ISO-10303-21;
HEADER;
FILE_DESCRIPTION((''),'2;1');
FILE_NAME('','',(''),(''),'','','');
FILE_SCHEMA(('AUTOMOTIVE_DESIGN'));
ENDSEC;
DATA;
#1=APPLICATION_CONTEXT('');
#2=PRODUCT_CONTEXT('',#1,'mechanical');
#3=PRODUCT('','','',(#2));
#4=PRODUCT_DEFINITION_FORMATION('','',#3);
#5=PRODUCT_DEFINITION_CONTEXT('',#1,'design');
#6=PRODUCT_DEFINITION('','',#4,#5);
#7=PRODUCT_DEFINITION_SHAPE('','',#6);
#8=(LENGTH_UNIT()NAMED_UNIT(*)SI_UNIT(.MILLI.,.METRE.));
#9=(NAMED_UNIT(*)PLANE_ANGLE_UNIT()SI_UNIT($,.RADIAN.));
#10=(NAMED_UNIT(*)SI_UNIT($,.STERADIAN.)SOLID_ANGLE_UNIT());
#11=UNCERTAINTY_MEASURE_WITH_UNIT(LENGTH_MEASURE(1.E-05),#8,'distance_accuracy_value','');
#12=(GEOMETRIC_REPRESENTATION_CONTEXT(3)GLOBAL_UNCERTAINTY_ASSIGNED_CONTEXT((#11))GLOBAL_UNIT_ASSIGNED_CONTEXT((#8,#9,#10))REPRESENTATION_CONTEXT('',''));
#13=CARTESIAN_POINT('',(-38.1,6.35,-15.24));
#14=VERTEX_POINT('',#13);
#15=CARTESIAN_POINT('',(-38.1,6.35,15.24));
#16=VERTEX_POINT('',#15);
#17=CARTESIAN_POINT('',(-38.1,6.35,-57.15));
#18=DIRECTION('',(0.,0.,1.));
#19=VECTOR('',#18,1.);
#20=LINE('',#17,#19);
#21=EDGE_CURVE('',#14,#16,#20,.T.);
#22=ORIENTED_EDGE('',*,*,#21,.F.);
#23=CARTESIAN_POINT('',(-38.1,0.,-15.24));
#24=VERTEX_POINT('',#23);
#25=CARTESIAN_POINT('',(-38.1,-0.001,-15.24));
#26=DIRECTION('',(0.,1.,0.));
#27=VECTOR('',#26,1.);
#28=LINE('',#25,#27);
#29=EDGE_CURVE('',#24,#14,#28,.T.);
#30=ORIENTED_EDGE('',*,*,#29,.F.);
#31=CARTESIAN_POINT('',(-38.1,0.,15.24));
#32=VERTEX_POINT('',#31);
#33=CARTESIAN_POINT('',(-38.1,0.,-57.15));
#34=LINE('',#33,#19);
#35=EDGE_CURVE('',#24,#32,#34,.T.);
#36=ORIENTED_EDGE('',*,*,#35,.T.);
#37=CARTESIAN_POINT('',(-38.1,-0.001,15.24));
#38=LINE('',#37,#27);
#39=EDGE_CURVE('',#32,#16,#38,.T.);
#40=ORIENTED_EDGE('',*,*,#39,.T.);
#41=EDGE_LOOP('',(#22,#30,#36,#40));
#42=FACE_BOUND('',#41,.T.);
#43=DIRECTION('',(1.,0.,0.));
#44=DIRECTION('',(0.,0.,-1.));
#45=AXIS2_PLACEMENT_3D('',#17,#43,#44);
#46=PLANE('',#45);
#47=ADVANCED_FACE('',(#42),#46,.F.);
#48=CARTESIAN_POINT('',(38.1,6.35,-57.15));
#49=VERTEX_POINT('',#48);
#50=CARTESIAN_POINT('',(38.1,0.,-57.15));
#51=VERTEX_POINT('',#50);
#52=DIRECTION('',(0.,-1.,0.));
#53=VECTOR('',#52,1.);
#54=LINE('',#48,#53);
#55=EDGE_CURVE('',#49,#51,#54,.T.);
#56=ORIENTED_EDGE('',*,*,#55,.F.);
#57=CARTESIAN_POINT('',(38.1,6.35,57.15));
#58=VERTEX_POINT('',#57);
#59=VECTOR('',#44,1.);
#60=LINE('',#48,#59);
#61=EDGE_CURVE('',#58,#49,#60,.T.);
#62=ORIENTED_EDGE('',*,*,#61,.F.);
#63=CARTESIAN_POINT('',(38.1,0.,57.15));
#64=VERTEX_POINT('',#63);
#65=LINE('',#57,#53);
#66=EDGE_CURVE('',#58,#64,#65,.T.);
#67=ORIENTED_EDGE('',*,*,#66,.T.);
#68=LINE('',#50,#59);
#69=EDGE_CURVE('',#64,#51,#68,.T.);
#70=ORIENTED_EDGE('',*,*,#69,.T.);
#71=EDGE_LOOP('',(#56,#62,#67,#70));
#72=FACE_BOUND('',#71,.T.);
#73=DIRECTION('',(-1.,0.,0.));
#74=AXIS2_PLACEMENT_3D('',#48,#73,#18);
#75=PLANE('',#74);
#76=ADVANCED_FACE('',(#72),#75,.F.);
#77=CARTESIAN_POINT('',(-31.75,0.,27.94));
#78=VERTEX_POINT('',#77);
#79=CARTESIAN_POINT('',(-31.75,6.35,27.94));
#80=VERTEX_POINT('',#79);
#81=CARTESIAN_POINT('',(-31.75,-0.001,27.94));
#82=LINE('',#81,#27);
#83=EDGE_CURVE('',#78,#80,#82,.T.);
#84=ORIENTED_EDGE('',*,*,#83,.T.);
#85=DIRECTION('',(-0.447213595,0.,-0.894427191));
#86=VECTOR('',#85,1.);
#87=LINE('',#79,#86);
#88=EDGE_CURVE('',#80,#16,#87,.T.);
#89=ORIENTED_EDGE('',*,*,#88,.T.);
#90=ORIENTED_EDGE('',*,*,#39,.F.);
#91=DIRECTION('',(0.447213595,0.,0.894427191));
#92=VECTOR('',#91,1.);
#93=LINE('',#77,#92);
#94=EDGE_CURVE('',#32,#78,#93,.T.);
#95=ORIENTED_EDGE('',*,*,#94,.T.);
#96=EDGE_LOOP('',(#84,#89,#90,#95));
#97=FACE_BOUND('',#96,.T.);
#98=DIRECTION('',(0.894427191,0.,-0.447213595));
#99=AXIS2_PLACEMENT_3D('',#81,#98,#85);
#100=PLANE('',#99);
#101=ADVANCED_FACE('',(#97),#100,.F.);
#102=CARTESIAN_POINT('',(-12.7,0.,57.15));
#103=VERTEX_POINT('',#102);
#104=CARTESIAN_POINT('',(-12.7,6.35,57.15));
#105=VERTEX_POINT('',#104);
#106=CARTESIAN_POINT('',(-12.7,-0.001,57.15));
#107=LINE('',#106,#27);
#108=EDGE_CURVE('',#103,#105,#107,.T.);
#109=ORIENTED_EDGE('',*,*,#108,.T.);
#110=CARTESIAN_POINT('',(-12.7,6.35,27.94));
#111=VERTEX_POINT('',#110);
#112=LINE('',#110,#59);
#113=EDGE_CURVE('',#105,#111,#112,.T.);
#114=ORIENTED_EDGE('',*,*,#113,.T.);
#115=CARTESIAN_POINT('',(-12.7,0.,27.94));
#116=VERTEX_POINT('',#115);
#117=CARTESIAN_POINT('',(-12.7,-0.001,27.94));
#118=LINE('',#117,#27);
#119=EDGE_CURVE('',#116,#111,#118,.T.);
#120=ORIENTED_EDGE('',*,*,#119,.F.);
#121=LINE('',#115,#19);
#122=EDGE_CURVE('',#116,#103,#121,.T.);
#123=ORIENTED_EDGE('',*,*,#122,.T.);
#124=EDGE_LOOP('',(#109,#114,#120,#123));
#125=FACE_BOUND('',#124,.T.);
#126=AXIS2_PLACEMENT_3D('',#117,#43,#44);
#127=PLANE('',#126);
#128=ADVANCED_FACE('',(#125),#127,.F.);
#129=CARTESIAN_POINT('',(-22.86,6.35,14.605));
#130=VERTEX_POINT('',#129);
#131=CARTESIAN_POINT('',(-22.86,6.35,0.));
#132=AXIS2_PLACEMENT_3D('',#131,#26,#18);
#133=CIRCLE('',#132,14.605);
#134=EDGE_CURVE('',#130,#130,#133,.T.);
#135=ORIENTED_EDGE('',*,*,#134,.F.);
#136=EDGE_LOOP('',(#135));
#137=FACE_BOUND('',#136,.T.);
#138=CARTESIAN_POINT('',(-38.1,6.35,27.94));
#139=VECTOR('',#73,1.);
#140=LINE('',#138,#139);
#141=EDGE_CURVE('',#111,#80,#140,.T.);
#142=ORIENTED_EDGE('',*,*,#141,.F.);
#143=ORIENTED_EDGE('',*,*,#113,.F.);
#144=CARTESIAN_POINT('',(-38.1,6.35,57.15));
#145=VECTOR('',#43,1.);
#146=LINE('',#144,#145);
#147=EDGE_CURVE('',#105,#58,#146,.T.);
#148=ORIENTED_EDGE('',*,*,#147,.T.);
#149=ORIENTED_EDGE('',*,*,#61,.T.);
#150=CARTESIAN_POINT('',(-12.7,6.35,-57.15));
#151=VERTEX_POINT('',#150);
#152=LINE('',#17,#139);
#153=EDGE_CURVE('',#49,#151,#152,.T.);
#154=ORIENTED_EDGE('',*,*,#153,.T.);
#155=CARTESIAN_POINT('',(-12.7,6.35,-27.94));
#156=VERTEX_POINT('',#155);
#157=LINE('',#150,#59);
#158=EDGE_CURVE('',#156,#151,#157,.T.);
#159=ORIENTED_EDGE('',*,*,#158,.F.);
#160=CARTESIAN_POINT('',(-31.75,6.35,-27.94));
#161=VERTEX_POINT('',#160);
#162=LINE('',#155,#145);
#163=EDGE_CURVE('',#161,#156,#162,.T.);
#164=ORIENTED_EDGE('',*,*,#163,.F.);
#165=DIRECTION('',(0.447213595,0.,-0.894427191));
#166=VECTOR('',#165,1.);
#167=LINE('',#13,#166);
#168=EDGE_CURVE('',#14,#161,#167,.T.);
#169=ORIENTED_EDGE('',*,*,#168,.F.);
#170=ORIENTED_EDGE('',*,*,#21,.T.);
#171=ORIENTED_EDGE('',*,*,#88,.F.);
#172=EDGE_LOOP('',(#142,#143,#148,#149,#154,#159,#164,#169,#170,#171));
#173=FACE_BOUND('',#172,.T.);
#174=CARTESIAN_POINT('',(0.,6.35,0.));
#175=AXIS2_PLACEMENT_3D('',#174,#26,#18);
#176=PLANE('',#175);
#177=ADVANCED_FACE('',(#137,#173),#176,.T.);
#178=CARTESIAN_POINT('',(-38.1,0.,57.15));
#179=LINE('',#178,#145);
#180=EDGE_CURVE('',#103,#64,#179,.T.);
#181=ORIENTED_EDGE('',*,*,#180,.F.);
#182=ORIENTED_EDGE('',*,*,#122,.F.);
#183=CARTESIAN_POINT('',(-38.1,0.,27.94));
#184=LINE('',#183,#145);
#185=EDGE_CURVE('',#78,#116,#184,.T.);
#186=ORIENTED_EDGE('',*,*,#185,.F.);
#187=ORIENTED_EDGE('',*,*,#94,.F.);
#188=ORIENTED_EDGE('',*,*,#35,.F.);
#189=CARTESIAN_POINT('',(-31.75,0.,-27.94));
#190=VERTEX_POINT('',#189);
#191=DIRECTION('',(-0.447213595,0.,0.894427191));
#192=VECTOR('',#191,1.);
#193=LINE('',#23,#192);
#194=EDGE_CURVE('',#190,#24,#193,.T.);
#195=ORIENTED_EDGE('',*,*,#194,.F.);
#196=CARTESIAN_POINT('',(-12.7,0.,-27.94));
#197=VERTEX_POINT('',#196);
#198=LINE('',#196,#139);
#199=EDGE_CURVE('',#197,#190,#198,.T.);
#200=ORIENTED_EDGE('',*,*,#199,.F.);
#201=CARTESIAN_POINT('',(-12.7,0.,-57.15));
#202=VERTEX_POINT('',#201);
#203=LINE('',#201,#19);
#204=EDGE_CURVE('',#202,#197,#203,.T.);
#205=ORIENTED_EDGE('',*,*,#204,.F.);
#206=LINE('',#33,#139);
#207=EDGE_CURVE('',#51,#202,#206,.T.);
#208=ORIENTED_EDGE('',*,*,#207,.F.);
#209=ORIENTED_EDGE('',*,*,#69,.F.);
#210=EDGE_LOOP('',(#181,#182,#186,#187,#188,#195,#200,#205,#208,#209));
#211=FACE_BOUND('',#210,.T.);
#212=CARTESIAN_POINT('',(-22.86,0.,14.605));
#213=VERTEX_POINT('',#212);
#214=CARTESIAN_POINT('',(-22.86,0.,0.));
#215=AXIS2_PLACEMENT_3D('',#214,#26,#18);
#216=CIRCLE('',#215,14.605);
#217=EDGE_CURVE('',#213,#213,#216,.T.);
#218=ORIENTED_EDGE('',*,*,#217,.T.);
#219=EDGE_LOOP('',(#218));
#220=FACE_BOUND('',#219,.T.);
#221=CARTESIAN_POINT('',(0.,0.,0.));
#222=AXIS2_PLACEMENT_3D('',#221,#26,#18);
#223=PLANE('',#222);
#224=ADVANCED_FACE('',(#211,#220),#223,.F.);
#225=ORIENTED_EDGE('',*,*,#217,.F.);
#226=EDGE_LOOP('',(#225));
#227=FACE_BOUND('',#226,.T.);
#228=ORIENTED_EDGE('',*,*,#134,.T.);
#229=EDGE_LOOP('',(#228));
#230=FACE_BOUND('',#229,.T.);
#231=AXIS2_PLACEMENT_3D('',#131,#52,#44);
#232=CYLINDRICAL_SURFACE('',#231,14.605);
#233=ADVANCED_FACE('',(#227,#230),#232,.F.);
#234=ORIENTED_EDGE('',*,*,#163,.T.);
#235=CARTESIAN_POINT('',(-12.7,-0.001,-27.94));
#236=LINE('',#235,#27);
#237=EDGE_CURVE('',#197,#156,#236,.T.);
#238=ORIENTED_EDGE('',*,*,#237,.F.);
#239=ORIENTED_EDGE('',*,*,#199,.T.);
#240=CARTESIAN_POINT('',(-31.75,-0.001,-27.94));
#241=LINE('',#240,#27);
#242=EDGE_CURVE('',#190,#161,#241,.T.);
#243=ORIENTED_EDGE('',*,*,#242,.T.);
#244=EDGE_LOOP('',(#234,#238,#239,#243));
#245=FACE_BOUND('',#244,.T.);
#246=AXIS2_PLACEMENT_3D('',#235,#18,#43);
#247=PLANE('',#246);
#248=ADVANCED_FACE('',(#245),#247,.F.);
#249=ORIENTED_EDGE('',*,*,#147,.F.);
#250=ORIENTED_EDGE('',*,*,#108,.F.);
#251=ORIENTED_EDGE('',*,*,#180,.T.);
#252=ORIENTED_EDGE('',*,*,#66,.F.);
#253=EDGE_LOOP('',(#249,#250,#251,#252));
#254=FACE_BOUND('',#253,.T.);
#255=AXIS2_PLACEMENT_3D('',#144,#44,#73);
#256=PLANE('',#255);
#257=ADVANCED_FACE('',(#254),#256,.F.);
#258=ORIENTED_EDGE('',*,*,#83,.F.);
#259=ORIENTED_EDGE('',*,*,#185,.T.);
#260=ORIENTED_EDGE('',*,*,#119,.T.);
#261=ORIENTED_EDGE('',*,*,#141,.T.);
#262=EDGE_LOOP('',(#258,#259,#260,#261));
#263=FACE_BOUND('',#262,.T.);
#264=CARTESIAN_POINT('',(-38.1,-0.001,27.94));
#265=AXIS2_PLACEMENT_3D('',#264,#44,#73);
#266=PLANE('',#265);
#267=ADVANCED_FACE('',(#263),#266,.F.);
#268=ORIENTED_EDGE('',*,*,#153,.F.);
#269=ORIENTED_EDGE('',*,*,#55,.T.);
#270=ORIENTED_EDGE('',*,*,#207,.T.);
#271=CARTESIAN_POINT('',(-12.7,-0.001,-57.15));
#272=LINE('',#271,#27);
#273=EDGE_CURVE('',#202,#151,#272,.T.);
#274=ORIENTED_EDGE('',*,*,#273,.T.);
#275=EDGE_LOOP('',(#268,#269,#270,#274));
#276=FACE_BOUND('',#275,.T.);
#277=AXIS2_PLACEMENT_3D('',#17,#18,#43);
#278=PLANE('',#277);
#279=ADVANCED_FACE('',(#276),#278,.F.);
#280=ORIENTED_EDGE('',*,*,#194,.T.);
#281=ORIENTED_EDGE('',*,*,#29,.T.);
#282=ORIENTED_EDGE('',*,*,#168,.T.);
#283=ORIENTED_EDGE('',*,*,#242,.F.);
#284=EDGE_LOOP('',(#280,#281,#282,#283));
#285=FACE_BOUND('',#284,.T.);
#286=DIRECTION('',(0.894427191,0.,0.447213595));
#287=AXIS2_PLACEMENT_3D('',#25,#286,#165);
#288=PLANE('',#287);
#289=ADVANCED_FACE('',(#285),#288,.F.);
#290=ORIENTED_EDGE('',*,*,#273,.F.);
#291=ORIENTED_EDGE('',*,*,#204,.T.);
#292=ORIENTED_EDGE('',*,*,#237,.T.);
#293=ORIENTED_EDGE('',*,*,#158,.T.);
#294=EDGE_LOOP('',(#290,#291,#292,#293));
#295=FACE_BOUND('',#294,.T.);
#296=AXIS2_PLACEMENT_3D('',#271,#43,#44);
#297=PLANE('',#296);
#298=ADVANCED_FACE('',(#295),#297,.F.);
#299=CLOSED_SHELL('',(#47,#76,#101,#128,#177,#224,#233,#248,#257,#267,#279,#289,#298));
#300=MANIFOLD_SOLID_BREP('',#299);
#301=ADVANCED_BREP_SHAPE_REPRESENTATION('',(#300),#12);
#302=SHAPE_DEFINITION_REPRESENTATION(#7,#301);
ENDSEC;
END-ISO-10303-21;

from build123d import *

# Parameters (mm, degrees)
SKETCH1_W           = 76.2
SKETCH1_H           = 114.3
SKETCH1_R           = 14.605
BOSS_EXTRUDE1_DEPTH = 6.35
CUT_EXTRUDE1_REACH  = 70.979
SKETCH2_W           = 25.4
SKETCH2_H           = 29.21
CUT_EXTRUDE3_REACH  = 70.979


with BuildPart() as part:
    # Sketch1 → Boss-Extrude1 (new body)
    with BuildSketch(Plane(origin=(0, 0, 0), x_dir=(1, 0, 0), z_dir=(0, 1, 0))):
        Rectangle(SKETCH1_W, SKETCH1_H)
        with Locations(Location((-22.86, 0, 0), (0, 0, 270))):
            Circle(SKETCH1_R, mode=Mode.SUBTRACT)
    extrude(amount=BOSS_EXTRUDE1_DEPTH)

    # Sketch2 → Cut-Extrude1 (cut, up to next)
    with BuildSketch(Plane(origin=(0, 6.35, 0), x_dir=(1, 0, 0), z_dir=(0, 1, 0)), mode=Mode.PRIVATE) as cut_extrude1_sk1:
        with Locations((-25.4, 42.545)):
            Rectangle(SKETCH2_W, SKETCH2_H)
    cut_extrude1_tool1 = extrude(cut_extrude1_sk1.sketch, amount=-CUT_EXTRUDE1_REACH, mode=Mode.PRIVATE) & part.part
    # Sketch2 → Cut-Extrude1 (cut, up to next)
    with BuildSketch(Plane(origin=(0, 6.35, 0), x_dir=(1, 0, 0), z_dir=(0, 1, 0)), mode=Mode.PRIVATE) as cut_extrude1_sk2:
        with Locations((-25.4, -42.545)):
            Rectangle(SKETCH2_W, SKETCH2_H)
    cut_extrude1_tool2 = extrude(cut_extrude1_sk2.sketch, amount=-CUT_EXTRUDE1_REACH, mode=Mode.PRIVATE) & part.part
    add(cut_extrude1_tool1.solids().sort_by_distance((-25.4, 6.35, -42.545))[0], mode=Mode.SUBTRACT)
    add(cut_extrude1_tool2.solids().sort_by_distance((-25.4, 6.35, 42.545))[0], mode=Mode.SUBTRACT)

    # Sketch4 → Cut-Extrude3 (cut, up to next)
    with BuildSketch(Plane(origin=(0, 6.35, 0), x_dir=(1, 0, 0), z_dir=(0, 1, 0)), mode=Mode.PRIVATE) as cut_extrude3_sk1:
        Polygon((-31.75, -27.94), (-38.1, -15.24), (-38.1, -27.94), align=None)
    cut_extrude3_tool1 = extrude(cut_extrude3_sk1.sketch, amount=-CUT_EXTRUDE3_REACH, mode=Mode.PRIVATE) & part.part
    # Sketch4 → Cut-Extrude3 (cut, up to next)
    with BuildSketch(Plane(origin=(0, 6.35, 0), x_dir=(1, 0, 0), z_dir=(0, 1, 0)), mode=Mode.PRIVATE) as cut_extrude3_sk2:
        Polygon((-31.75, 27.94), (-38.1, 27.94), (-38.1, 15.24), align=None)
    cut_extrude3_tool2 = extrude(cut_extrude3_sk2.sketch, amount=-CUT_EXTRUDE3_REACH, mode=Mode.PRIVATE) & part.part
    add(cut_extrude3_tool1.solids().sort_by_distance((-35.983333, 6.35, 23.706667))[0], mode=Mode.SUBTRACT)
    add(cut_extrude3_tool2.solids().sort_by_distance((-35.983333, 6.35, -23.706667))[0], mode=Mode.SUBTRACT)


solid = part.part
